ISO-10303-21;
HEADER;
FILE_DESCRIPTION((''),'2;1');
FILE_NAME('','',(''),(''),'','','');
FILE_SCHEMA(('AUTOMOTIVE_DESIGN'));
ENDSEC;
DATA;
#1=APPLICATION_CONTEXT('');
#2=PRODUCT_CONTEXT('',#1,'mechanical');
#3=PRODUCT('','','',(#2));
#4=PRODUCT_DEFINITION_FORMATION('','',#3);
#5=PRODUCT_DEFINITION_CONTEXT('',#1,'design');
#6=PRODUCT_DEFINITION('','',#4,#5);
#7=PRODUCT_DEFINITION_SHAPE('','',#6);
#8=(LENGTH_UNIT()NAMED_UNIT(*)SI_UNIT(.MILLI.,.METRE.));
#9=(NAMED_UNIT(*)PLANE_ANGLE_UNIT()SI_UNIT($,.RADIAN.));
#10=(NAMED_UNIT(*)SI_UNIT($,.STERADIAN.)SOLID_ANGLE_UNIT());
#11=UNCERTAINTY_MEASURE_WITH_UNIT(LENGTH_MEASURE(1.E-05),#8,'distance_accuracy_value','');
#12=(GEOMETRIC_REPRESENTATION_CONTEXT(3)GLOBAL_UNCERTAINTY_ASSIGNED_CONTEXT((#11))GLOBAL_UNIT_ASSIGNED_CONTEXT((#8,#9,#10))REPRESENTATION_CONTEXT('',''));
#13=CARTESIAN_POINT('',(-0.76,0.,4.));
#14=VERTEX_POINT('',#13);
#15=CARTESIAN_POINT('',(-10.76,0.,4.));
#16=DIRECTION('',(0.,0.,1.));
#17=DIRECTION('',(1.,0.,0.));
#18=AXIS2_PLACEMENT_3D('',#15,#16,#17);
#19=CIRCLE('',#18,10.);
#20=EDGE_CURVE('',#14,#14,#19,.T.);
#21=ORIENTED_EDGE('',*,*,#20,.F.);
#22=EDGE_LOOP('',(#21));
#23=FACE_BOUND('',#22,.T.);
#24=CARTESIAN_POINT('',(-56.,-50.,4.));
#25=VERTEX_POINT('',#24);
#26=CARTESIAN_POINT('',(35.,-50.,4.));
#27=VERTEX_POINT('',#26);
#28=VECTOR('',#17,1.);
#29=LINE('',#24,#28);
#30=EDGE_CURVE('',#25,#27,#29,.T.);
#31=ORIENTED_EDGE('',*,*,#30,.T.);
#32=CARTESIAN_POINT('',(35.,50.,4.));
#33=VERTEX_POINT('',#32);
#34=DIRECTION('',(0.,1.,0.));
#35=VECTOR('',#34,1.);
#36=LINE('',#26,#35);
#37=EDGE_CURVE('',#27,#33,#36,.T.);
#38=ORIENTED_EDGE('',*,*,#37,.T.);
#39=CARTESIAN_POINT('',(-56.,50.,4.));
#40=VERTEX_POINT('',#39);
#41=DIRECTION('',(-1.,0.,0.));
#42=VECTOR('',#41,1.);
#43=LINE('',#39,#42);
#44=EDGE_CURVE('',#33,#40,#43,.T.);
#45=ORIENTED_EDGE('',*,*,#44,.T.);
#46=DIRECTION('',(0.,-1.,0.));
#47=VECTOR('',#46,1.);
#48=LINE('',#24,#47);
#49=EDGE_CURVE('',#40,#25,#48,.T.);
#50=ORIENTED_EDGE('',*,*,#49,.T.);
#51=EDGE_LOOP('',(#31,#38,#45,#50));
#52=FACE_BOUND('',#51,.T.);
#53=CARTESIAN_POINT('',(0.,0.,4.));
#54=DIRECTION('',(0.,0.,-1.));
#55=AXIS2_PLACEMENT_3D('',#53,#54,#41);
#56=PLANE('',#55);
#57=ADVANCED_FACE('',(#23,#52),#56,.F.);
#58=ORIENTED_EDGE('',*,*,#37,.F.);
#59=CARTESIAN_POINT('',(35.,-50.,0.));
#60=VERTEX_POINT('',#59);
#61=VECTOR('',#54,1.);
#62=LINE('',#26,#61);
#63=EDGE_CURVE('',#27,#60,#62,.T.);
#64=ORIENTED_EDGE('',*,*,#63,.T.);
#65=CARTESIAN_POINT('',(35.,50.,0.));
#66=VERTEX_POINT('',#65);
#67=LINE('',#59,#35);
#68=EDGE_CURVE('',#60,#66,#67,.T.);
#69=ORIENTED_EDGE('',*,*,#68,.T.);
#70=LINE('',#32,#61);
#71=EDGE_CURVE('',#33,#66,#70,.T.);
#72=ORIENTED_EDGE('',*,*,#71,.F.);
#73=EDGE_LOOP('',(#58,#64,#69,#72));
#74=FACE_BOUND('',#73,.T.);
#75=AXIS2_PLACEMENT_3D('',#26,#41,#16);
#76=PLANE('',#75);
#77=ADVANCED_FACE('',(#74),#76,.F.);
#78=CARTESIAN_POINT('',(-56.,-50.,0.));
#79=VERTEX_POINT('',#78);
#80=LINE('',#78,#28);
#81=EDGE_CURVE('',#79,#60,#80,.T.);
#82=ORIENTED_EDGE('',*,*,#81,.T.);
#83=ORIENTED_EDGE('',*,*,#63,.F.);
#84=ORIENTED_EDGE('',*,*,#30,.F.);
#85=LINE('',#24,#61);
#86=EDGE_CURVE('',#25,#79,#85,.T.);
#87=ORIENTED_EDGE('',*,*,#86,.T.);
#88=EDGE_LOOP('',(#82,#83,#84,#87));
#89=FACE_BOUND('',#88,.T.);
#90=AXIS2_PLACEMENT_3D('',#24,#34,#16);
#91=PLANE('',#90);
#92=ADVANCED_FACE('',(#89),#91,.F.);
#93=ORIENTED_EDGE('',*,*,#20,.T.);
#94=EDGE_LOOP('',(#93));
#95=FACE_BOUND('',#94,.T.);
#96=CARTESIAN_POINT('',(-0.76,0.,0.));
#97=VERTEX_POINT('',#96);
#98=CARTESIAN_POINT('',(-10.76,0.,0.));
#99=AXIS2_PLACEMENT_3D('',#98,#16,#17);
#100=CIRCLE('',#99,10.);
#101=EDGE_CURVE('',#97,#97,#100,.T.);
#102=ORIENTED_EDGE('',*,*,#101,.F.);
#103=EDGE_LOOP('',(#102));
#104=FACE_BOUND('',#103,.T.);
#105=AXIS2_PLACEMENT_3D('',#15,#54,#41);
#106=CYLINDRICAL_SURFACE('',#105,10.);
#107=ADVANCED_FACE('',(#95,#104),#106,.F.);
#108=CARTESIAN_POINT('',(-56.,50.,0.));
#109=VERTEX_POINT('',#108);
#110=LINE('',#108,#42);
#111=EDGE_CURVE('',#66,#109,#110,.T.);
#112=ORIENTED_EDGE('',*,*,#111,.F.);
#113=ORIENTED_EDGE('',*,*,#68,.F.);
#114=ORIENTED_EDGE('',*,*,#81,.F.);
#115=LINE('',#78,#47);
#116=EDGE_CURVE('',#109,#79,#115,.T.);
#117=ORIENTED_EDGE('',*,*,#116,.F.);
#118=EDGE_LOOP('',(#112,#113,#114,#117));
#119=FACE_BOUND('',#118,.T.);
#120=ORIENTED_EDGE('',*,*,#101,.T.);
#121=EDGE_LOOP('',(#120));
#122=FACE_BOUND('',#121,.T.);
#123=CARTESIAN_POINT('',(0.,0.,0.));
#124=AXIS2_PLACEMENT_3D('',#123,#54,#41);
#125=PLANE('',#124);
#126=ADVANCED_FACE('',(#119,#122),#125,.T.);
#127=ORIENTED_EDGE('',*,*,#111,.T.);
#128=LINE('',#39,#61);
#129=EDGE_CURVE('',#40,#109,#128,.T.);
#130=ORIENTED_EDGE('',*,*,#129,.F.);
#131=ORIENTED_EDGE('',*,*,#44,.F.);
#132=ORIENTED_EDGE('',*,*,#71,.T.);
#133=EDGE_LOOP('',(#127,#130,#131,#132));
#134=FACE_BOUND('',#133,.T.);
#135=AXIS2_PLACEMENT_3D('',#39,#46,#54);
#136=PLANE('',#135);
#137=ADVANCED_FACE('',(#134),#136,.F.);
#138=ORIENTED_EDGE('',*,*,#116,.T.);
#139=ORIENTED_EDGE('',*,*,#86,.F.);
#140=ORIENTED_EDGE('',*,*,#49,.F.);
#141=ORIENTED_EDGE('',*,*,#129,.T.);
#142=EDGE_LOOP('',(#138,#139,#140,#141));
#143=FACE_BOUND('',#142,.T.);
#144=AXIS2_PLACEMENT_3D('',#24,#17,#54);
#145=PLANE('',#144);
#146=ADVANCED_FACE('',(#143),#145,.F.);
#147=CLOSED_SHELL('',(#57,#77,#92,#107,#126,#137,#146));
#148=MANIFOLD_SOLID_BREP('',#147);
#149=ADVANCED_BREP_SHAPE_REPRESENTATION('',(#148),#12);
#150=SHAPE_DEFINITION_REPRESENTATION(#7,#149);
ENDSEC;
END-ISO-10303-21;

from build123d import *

# Parameters (mm, degrees)
SKETCH1_W           = 91
SKETCH1_H           = 100
SKETCH1_R           = 10
BOSS_EXTRUDE1_DEPTH = 4


with BuildPart() as part:
    # Sketch1 → Boss-Extrude1 (new body)
    with BuildSketch(Plane.XY):
        with Locations((-10.5, 0)):
            Rectangle(SKETCH1_W, SKETCH1_H)
        with Locations((-10.76, 0)):
            Circle(SKETCH1_R, mode=Mode.SUBTRACT)
    extrude(amount=BOSS_EXTRUDE1_DEPTH)


solid = part.part
